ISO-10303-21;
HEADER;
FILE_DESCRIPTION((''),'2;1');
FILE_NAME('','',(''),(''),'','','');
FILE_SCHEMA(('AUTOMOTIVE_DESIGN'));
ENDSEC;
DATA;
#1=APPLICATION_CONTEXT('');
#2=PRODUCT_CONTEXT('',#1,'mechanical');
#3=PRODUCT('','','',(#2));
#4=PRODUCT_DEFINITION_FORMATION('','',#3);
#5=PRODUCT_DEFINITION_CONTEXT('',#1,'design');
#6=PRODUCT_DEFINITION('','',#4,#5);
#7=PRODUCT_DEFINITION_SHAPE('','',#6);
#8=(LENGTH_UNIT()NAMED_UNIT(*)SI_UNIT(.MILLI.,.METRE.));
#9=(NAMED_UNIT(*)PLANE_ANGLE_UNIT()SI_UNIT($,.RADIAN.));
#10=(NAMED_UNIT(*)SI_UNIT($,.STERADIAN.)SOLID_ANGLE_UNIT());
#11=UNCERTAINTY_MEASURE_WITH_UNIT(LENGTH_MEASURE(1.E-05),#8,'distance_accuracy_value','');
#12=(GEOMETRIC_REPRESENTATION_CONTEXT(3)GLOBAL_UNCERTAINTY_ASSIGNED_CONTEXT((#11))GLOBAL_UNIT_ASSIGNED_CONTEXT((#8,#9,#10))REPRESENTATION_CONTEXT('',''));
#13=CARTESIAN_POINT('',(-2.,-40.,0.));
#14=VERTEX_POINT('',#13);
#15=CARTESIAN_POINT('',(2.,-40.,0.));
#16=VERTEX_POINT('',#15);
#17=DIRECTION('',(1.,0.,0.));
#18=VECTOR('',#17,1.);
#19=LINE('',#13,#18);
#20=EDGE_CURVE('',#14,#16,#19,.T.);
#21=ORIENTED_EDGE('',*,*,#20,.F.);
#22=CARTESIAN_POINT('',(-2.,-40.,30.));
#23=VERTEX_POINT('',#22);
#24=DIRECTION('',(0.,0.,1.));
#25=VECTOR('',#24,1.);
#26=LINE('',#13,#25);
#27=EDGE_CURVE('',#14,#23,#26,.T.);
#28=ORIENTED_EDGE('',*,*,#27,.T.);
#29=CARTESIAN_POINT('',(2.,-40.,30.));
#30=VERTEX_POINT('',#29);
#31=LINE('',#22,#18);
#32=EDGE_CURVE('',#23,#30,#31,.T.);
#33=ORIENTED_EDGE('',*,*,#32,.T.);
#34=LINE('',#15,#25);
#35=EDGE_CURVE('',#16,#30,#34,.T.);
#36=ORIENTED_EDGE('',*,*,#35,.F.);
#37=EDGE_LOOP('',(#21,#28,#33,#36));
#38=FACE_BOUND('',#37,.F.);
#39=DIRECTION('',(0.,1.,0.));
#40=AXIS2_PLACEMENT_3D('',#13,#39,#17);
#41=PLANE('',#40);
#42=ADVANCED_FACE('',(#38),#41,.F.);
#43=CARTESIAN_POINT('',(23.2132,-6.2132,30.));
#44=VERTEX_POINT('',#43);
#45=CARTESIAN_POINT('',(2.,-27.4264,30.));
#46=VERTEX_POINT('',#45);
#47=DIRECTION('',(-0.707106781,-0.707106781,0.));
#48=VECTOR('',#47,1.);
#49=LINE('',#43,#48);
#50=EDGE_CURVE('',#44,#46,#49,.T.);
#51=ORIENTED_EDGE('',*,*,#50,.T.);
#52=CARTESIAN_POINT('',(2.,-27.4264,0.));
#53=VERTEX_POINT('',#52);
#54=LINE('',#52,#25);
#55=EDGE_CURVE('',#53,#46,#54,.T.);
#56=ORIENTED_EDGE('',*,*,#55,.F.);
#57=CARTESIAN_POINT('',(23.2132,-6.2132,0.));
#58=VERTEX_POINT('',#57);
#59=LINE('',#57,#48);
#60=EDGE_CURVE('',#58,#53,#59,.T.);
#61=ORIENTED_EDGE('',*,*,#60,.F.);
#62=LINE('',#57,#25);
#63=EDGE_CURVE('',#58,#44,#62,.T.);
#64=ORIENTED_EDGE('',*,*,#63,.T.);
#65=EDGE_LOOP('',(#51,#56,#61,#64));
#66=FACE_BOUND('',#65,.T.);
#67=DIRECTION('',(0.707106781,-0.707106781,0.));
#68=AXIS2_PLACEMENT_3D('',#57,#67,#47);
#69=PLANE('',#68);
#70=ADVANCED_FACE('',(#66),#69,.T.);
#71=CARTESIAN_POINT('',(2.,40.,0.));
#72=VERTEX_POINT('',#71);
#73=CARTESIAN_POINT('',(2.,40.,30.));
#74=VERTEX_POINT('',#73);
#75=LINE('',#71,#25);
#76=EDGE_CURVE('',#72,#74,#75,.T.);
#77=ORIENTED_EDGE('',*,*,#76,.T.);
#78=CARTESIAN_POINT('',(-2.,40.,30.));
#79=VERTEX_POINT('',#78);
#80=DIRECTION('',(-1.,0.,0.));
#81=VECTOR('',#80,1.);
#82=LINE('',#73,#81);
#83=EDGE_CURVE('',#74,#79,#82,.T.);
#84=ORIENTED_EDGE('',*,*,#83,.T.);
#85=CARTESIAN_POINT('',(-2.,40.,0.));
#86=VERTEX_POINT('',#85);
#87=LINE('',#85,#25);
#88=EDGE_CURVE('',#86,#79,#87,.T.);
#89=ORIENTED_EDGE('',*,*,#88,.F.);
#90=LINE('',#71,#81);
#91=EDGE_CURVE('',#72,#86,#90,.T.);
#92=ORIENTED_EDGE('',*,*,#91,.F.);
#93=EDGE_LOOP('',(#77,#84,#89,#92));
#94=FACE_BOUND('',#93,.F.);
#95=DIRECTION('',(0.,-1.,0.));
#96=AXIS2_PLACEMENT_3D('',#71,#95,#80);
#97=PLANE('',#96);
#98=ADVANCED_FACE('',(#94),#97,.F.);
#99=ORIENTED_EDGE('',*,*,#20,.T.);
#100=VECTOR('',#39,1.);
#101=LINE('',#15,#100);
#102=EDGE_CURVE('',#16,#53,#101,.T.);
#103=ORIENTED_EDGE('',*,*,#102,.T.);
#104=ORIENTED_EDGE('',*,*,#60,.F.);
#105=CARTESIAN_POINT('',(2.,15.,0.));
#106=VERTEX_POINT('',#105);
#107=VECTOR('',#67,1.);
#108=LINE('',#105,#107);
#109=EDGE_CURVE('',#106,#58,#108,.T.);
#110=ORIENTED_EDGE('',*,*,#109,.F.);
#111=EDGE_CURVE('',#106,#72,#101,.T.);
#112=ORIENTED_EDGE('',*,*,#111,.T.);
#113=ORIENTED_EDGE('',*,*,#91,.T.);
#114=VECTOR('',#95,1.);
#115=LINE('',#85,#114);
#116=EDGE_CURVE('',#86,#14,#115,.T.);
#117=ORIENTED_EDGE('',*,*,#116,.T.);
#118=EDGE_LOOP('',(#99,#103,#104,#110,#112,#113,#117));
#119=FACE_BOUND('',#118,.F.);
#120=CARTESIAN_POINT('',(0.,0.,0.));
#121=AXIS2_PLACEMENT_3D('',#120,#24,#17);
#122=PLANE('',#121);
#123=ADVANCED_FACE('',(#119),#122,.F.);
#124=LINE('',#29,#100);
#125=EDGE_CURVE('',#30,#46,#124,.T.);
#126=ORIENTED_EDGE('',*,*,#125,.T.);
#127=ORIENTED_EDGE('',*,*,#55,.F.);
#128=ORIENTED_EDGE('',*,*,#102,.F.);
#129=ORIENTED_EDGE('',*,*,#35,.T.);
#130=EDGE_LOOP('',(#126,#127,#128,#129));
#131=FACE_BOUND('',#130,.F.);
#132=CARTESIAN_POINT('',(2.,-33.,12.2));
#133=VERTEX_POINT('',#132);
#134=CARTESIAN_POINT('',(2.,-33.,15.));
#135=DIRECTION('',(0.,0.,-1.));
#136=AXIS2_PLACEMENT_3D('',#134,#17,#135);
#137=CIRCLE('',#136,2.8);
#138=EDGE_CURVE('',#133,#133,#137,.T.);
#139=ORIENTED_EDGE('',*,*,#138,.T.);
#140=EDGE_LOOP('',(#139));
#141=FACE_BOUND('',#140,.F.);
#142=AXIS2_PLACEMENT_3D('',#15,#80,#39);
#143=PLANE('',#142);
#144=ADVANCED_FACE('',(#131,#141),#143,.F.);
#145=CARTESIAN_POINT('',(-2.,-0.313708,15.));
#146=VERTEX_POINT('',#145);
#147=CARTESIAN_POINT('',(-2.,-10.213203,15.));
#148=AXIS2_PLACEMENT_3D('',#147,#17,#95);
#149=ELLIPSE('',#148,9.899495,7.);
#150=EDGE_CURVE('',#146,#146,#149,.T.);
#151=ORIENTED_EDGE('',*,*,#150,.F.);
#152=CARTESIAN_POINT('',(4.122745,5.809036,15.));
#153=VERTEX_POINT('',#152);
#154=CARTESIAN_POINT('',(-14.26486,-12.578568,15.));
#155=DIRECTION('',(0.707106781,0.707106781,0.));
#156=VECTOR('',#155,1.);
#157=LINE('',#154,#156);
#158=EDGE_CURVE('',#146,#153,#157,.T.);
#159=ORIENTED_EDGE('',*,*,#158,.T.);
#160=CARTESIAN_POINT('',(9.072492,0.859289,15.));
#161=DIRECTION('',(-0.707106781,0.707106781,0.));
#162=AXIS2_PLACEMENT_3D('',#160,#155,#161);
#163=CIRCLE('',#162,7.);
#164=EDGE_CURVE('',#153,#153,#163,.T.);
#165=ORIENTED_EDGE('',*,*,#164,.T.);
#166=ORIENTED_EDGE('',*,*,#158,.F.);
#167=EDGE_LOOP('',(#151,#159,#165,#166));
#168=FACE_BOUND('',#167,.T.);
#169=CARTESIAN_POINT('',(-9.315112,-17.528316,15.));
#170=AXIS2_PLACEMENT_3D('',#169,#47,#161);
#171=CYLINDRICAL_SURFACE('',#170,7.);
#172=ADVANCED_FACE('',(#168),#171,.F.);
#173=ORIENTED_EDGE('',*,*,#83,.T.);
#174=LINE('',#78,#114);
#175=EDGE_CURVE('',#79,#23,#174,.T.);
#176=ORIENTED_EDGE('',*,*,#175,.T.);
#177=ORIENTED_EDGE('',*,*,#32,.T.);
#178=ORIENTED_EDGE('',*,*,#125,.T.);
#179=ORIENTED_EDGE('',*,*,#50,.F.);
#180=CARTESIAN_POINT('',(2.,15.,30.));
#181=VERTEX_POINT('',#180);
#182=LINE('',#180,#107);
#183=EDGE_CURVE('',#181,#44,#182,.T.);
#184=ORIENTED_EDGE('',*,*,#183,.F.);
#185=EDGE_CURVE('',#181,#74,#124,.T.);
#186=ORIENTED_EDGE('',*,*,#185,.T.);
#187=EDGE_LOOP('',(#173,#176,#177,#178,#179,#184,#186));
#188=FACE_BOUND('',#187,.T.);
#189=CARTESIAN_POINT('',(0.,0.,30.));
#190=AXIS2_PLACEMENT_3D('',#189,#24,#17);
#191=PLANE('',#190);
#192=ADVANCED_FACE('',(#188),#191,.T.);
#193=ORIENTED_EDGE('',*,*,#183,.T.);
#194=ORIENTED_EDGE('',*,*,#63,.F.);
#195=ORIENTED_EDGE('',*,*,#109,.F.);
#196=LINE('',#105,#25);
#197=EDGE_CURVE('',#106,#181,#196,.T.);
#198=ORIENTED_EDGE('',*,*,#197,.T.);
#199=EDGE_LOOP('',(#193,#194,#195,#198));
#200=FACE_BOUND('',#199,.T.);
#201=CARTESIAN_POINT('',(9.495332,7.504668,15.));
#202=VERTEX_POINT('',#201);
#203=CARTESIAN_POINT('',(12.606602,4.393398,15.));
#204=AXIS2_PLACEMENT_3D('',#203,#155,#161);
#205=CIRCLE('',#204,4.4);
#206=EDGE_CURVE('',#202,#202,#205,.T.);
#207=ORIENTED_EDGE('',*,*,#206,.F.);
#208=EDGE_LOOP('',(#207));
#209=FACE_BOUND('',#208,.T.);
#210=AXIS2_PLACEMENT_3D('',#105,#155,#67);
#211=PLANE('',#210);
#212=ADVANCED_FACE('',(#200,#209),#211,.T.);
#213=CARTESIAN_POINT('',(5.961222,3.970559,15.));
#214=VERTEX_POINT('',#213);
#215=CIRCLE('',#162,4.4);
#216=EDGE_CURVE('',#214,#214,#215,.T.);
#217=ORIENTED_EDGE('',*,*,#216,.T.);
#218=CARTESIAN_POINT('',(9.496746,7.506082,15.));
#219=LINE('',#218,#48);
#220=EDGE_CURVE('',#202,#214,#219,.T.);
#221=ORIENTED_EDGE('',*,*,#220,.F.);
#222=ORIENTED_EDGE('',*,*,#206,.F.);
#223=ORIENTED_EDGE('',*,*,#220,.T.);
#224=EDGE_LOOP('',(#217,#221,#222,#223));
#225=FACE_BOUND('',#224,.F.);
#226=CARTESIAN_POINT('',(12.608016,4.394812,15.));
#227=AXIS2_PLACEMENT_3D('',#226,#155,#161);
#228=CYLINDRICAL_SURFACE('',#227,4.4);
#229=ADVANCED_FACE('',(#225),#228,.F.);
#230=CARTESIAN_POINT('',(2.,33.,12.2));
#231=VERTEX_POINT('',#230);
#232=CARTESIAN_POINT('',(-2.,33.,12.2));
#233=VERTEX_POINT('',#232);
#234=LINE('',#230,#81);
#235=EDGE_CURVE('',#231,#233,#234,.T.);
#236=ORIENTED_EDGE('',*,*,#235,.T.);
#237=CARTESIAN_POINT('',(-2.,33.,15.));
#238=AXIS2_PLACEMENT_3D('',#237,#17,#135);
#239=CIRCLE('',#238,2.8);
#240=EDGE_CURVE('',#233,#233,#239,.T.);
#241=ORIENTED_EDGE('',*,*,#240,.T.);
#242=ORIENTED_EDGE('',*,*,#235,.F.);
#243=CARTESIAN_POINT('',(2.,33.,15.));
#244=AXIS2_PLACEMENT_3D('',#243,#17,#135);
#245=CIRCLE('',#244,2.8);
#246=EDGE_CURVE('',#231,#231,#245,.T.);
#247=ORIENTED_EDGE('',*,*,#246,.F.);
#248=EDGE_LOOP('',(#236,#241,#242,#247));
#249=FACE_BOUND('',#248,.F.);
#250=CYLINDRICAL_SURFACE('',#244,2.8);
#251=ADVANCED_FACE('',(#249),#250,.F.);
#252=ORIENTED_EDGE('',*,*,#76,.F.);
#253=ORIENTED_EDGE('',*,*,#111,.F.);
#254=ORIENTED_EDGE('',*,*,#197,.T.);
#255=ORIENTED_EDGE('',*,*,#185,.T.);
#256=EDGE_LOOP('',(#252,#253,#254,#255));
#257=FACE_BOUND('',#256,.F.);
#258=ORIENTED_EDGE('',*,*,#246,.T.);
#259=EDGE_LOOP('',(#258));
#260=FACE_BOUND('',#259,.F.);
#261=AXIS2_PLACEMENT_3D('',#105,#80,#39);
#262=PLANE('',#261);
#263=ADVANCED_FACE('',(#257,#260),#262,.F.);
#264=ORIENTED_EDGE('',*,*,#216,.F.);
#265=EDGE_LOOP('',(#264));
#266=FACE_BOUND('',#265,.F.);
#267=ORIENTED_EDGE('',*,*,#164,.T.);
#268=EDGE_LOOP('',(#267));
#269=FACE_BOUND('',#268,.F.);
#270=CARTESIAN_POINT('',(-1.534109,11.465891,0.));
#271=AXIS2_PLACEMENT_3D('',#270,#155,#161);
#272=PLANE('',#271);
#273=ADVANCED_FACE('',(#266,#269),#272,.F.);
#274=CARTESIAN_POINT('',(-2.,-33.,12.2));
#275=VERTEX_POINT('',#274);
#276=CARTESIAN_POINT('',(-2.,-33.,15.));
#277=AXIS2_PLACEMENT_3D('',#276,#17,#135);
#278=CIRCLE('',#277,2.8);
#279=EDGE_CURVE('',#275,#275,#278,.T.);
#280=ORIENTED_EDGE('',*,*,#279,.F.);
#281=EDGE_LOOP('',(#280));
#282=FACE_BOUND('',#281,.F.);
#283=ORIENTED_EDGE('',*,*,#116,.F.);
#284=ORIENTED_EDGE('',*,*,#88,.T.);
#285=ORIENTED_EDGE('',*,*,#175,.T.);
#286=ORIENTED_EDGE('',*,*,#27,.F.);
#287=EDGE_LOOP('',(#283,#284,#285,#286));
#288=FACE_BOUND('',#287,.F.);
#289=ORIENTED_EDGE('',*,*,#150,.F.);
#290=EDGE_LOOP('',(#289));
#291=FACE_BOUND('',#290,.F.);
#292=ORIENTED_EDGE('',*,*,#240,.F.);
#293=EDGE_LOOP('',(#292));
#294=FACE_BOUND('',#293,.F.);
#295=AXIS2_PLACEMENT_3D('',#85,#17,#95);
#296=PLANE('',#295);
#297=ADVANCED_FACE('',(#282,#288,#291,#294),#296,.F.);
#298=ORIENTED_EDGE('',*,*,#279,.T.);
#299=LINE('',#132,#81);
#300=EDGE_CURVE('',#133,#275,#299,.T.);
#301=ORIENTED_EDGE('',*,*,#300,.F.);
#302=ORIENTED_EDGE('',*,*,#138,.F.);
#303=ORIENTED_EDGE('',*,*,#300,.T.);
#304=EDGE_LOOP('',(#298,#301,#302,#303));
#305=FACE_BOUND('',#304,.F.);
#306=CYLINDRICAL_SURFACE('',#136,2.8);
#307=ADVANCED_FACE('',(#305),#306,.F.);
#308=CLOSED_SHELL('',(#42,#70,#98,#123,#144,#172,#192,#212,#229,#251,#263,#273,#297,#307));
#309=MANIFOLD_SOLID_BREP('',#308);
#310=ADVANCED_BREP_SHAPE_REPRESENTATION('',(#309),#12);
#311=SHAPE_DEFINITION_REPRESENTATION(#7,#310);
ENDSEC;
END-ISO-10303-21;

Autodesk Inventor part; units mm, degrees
ref_plane "YZ Plane" through (0, 0, 0) normal (1, 0, 0) x (0, 1, 0)
ref_plane "XZ Plane" through (0, 0, 0) normal (0, 1, 0) x (-1, 0, 0)
sketch "Sketch6" plane through (0, 0, 0) normal (0, 0, 1) x (1, 0, 0)
  line L0 (-2, -40) -> (2, -40)
  line L1 (2, -40) -> (2, 40)
  line L2 (2, 40) -> (-2, 40)
  line L3 (-2, 40) -> (-2, -40)
  line L4 (-2, -40) -> (2, 40) construction
  line L5 (2, -40) -> (-2, 40) construction
  line L6 (2, 15) -> (23.2132, -6.2132)
  line L7 (2, 15) -> (32, 15) construction
  line L8 (23.2132, -6.2132) -> (2, -27.4264)
  line L9 (2, -27.4264) -> (2, 15)
  point P0 (0, 0)
  point P1 (2, -27.4264)
  dimension "d23" = 4
  dimension "d24" = 80
  dimension "d25" = 30
  dimension "d26" = 45
  dimension "d27" = 30
  dimension "d28" = 90
  dimension "d29" = 25
extrude "Extrusion6" add sketch "Sketch6" along normal blind 30
sketch "Sketch7" plane through (2, 15, 0) normal (0.7071, 0.7071, 0) x (-0.7071, 0.7071, 0)
  circle A0 centre (-15, 15) radius 4.4
  line L0 (-30, 0) -> (-30, 30) projected
  line L1 (-30, 30) -> (0, 30) projected
  point P0 (-9.1924, 0)
  dimension "d32" = 15
  dimension "d33" = 15
  dimension "d34" = 8.8
extrude "Extrusion7" cut sketch "Sketch7" against normal blind 27.5
ref_plane "Work Plane6" through (-19.9203, -6.9203, 0) normal (0.7071, 0.7071, 0) x (-0.7071, 0.7071, 0)
sketch "Sketch8" plane through (-19.9203, -6.9203, 0) normal (0.7071, 0.7071, 0) x (-0.7071, 0.7071, 0)
  circle A0 centre (-15, 15) radius 4.4 projected
  circle A1 centre (-15, 15) radius 7
  point P0 (-9.1924, 0)
  dimension "d38" = 14
extrude "Extrusion8" cut sketch "Sketch8" along normal blind 26 contours A0 | A1
sketch "Sketch9" plane through (2, -40, 0) normal (1, 0, 0) x (0, 0, -1)
  circle A0 centre (-15, 7) radius 2.8
  line L0 (0, 0) -> (-30, 0) projected
  line L1 (-30, 0) -> (-30, 12.5736) projected
  circle A1 centre (-15, 73) radius 2.8
  line L2 (0, 55) -> (0, 80) projected
  line L3 (0, 80) -> (-30, 80) projected
  point P0 (0, 40)
  dimension "d41" = 5.6
  dimension "d42" = 7
  dimension "d43" = 15
  dimension "d46" = 15
  dimension "d47" = 7
extrude "Extrusion9" cut sketch "Sketch9" against normal through all
properties part number "45bracket" material "Acetal Resin, Black"
